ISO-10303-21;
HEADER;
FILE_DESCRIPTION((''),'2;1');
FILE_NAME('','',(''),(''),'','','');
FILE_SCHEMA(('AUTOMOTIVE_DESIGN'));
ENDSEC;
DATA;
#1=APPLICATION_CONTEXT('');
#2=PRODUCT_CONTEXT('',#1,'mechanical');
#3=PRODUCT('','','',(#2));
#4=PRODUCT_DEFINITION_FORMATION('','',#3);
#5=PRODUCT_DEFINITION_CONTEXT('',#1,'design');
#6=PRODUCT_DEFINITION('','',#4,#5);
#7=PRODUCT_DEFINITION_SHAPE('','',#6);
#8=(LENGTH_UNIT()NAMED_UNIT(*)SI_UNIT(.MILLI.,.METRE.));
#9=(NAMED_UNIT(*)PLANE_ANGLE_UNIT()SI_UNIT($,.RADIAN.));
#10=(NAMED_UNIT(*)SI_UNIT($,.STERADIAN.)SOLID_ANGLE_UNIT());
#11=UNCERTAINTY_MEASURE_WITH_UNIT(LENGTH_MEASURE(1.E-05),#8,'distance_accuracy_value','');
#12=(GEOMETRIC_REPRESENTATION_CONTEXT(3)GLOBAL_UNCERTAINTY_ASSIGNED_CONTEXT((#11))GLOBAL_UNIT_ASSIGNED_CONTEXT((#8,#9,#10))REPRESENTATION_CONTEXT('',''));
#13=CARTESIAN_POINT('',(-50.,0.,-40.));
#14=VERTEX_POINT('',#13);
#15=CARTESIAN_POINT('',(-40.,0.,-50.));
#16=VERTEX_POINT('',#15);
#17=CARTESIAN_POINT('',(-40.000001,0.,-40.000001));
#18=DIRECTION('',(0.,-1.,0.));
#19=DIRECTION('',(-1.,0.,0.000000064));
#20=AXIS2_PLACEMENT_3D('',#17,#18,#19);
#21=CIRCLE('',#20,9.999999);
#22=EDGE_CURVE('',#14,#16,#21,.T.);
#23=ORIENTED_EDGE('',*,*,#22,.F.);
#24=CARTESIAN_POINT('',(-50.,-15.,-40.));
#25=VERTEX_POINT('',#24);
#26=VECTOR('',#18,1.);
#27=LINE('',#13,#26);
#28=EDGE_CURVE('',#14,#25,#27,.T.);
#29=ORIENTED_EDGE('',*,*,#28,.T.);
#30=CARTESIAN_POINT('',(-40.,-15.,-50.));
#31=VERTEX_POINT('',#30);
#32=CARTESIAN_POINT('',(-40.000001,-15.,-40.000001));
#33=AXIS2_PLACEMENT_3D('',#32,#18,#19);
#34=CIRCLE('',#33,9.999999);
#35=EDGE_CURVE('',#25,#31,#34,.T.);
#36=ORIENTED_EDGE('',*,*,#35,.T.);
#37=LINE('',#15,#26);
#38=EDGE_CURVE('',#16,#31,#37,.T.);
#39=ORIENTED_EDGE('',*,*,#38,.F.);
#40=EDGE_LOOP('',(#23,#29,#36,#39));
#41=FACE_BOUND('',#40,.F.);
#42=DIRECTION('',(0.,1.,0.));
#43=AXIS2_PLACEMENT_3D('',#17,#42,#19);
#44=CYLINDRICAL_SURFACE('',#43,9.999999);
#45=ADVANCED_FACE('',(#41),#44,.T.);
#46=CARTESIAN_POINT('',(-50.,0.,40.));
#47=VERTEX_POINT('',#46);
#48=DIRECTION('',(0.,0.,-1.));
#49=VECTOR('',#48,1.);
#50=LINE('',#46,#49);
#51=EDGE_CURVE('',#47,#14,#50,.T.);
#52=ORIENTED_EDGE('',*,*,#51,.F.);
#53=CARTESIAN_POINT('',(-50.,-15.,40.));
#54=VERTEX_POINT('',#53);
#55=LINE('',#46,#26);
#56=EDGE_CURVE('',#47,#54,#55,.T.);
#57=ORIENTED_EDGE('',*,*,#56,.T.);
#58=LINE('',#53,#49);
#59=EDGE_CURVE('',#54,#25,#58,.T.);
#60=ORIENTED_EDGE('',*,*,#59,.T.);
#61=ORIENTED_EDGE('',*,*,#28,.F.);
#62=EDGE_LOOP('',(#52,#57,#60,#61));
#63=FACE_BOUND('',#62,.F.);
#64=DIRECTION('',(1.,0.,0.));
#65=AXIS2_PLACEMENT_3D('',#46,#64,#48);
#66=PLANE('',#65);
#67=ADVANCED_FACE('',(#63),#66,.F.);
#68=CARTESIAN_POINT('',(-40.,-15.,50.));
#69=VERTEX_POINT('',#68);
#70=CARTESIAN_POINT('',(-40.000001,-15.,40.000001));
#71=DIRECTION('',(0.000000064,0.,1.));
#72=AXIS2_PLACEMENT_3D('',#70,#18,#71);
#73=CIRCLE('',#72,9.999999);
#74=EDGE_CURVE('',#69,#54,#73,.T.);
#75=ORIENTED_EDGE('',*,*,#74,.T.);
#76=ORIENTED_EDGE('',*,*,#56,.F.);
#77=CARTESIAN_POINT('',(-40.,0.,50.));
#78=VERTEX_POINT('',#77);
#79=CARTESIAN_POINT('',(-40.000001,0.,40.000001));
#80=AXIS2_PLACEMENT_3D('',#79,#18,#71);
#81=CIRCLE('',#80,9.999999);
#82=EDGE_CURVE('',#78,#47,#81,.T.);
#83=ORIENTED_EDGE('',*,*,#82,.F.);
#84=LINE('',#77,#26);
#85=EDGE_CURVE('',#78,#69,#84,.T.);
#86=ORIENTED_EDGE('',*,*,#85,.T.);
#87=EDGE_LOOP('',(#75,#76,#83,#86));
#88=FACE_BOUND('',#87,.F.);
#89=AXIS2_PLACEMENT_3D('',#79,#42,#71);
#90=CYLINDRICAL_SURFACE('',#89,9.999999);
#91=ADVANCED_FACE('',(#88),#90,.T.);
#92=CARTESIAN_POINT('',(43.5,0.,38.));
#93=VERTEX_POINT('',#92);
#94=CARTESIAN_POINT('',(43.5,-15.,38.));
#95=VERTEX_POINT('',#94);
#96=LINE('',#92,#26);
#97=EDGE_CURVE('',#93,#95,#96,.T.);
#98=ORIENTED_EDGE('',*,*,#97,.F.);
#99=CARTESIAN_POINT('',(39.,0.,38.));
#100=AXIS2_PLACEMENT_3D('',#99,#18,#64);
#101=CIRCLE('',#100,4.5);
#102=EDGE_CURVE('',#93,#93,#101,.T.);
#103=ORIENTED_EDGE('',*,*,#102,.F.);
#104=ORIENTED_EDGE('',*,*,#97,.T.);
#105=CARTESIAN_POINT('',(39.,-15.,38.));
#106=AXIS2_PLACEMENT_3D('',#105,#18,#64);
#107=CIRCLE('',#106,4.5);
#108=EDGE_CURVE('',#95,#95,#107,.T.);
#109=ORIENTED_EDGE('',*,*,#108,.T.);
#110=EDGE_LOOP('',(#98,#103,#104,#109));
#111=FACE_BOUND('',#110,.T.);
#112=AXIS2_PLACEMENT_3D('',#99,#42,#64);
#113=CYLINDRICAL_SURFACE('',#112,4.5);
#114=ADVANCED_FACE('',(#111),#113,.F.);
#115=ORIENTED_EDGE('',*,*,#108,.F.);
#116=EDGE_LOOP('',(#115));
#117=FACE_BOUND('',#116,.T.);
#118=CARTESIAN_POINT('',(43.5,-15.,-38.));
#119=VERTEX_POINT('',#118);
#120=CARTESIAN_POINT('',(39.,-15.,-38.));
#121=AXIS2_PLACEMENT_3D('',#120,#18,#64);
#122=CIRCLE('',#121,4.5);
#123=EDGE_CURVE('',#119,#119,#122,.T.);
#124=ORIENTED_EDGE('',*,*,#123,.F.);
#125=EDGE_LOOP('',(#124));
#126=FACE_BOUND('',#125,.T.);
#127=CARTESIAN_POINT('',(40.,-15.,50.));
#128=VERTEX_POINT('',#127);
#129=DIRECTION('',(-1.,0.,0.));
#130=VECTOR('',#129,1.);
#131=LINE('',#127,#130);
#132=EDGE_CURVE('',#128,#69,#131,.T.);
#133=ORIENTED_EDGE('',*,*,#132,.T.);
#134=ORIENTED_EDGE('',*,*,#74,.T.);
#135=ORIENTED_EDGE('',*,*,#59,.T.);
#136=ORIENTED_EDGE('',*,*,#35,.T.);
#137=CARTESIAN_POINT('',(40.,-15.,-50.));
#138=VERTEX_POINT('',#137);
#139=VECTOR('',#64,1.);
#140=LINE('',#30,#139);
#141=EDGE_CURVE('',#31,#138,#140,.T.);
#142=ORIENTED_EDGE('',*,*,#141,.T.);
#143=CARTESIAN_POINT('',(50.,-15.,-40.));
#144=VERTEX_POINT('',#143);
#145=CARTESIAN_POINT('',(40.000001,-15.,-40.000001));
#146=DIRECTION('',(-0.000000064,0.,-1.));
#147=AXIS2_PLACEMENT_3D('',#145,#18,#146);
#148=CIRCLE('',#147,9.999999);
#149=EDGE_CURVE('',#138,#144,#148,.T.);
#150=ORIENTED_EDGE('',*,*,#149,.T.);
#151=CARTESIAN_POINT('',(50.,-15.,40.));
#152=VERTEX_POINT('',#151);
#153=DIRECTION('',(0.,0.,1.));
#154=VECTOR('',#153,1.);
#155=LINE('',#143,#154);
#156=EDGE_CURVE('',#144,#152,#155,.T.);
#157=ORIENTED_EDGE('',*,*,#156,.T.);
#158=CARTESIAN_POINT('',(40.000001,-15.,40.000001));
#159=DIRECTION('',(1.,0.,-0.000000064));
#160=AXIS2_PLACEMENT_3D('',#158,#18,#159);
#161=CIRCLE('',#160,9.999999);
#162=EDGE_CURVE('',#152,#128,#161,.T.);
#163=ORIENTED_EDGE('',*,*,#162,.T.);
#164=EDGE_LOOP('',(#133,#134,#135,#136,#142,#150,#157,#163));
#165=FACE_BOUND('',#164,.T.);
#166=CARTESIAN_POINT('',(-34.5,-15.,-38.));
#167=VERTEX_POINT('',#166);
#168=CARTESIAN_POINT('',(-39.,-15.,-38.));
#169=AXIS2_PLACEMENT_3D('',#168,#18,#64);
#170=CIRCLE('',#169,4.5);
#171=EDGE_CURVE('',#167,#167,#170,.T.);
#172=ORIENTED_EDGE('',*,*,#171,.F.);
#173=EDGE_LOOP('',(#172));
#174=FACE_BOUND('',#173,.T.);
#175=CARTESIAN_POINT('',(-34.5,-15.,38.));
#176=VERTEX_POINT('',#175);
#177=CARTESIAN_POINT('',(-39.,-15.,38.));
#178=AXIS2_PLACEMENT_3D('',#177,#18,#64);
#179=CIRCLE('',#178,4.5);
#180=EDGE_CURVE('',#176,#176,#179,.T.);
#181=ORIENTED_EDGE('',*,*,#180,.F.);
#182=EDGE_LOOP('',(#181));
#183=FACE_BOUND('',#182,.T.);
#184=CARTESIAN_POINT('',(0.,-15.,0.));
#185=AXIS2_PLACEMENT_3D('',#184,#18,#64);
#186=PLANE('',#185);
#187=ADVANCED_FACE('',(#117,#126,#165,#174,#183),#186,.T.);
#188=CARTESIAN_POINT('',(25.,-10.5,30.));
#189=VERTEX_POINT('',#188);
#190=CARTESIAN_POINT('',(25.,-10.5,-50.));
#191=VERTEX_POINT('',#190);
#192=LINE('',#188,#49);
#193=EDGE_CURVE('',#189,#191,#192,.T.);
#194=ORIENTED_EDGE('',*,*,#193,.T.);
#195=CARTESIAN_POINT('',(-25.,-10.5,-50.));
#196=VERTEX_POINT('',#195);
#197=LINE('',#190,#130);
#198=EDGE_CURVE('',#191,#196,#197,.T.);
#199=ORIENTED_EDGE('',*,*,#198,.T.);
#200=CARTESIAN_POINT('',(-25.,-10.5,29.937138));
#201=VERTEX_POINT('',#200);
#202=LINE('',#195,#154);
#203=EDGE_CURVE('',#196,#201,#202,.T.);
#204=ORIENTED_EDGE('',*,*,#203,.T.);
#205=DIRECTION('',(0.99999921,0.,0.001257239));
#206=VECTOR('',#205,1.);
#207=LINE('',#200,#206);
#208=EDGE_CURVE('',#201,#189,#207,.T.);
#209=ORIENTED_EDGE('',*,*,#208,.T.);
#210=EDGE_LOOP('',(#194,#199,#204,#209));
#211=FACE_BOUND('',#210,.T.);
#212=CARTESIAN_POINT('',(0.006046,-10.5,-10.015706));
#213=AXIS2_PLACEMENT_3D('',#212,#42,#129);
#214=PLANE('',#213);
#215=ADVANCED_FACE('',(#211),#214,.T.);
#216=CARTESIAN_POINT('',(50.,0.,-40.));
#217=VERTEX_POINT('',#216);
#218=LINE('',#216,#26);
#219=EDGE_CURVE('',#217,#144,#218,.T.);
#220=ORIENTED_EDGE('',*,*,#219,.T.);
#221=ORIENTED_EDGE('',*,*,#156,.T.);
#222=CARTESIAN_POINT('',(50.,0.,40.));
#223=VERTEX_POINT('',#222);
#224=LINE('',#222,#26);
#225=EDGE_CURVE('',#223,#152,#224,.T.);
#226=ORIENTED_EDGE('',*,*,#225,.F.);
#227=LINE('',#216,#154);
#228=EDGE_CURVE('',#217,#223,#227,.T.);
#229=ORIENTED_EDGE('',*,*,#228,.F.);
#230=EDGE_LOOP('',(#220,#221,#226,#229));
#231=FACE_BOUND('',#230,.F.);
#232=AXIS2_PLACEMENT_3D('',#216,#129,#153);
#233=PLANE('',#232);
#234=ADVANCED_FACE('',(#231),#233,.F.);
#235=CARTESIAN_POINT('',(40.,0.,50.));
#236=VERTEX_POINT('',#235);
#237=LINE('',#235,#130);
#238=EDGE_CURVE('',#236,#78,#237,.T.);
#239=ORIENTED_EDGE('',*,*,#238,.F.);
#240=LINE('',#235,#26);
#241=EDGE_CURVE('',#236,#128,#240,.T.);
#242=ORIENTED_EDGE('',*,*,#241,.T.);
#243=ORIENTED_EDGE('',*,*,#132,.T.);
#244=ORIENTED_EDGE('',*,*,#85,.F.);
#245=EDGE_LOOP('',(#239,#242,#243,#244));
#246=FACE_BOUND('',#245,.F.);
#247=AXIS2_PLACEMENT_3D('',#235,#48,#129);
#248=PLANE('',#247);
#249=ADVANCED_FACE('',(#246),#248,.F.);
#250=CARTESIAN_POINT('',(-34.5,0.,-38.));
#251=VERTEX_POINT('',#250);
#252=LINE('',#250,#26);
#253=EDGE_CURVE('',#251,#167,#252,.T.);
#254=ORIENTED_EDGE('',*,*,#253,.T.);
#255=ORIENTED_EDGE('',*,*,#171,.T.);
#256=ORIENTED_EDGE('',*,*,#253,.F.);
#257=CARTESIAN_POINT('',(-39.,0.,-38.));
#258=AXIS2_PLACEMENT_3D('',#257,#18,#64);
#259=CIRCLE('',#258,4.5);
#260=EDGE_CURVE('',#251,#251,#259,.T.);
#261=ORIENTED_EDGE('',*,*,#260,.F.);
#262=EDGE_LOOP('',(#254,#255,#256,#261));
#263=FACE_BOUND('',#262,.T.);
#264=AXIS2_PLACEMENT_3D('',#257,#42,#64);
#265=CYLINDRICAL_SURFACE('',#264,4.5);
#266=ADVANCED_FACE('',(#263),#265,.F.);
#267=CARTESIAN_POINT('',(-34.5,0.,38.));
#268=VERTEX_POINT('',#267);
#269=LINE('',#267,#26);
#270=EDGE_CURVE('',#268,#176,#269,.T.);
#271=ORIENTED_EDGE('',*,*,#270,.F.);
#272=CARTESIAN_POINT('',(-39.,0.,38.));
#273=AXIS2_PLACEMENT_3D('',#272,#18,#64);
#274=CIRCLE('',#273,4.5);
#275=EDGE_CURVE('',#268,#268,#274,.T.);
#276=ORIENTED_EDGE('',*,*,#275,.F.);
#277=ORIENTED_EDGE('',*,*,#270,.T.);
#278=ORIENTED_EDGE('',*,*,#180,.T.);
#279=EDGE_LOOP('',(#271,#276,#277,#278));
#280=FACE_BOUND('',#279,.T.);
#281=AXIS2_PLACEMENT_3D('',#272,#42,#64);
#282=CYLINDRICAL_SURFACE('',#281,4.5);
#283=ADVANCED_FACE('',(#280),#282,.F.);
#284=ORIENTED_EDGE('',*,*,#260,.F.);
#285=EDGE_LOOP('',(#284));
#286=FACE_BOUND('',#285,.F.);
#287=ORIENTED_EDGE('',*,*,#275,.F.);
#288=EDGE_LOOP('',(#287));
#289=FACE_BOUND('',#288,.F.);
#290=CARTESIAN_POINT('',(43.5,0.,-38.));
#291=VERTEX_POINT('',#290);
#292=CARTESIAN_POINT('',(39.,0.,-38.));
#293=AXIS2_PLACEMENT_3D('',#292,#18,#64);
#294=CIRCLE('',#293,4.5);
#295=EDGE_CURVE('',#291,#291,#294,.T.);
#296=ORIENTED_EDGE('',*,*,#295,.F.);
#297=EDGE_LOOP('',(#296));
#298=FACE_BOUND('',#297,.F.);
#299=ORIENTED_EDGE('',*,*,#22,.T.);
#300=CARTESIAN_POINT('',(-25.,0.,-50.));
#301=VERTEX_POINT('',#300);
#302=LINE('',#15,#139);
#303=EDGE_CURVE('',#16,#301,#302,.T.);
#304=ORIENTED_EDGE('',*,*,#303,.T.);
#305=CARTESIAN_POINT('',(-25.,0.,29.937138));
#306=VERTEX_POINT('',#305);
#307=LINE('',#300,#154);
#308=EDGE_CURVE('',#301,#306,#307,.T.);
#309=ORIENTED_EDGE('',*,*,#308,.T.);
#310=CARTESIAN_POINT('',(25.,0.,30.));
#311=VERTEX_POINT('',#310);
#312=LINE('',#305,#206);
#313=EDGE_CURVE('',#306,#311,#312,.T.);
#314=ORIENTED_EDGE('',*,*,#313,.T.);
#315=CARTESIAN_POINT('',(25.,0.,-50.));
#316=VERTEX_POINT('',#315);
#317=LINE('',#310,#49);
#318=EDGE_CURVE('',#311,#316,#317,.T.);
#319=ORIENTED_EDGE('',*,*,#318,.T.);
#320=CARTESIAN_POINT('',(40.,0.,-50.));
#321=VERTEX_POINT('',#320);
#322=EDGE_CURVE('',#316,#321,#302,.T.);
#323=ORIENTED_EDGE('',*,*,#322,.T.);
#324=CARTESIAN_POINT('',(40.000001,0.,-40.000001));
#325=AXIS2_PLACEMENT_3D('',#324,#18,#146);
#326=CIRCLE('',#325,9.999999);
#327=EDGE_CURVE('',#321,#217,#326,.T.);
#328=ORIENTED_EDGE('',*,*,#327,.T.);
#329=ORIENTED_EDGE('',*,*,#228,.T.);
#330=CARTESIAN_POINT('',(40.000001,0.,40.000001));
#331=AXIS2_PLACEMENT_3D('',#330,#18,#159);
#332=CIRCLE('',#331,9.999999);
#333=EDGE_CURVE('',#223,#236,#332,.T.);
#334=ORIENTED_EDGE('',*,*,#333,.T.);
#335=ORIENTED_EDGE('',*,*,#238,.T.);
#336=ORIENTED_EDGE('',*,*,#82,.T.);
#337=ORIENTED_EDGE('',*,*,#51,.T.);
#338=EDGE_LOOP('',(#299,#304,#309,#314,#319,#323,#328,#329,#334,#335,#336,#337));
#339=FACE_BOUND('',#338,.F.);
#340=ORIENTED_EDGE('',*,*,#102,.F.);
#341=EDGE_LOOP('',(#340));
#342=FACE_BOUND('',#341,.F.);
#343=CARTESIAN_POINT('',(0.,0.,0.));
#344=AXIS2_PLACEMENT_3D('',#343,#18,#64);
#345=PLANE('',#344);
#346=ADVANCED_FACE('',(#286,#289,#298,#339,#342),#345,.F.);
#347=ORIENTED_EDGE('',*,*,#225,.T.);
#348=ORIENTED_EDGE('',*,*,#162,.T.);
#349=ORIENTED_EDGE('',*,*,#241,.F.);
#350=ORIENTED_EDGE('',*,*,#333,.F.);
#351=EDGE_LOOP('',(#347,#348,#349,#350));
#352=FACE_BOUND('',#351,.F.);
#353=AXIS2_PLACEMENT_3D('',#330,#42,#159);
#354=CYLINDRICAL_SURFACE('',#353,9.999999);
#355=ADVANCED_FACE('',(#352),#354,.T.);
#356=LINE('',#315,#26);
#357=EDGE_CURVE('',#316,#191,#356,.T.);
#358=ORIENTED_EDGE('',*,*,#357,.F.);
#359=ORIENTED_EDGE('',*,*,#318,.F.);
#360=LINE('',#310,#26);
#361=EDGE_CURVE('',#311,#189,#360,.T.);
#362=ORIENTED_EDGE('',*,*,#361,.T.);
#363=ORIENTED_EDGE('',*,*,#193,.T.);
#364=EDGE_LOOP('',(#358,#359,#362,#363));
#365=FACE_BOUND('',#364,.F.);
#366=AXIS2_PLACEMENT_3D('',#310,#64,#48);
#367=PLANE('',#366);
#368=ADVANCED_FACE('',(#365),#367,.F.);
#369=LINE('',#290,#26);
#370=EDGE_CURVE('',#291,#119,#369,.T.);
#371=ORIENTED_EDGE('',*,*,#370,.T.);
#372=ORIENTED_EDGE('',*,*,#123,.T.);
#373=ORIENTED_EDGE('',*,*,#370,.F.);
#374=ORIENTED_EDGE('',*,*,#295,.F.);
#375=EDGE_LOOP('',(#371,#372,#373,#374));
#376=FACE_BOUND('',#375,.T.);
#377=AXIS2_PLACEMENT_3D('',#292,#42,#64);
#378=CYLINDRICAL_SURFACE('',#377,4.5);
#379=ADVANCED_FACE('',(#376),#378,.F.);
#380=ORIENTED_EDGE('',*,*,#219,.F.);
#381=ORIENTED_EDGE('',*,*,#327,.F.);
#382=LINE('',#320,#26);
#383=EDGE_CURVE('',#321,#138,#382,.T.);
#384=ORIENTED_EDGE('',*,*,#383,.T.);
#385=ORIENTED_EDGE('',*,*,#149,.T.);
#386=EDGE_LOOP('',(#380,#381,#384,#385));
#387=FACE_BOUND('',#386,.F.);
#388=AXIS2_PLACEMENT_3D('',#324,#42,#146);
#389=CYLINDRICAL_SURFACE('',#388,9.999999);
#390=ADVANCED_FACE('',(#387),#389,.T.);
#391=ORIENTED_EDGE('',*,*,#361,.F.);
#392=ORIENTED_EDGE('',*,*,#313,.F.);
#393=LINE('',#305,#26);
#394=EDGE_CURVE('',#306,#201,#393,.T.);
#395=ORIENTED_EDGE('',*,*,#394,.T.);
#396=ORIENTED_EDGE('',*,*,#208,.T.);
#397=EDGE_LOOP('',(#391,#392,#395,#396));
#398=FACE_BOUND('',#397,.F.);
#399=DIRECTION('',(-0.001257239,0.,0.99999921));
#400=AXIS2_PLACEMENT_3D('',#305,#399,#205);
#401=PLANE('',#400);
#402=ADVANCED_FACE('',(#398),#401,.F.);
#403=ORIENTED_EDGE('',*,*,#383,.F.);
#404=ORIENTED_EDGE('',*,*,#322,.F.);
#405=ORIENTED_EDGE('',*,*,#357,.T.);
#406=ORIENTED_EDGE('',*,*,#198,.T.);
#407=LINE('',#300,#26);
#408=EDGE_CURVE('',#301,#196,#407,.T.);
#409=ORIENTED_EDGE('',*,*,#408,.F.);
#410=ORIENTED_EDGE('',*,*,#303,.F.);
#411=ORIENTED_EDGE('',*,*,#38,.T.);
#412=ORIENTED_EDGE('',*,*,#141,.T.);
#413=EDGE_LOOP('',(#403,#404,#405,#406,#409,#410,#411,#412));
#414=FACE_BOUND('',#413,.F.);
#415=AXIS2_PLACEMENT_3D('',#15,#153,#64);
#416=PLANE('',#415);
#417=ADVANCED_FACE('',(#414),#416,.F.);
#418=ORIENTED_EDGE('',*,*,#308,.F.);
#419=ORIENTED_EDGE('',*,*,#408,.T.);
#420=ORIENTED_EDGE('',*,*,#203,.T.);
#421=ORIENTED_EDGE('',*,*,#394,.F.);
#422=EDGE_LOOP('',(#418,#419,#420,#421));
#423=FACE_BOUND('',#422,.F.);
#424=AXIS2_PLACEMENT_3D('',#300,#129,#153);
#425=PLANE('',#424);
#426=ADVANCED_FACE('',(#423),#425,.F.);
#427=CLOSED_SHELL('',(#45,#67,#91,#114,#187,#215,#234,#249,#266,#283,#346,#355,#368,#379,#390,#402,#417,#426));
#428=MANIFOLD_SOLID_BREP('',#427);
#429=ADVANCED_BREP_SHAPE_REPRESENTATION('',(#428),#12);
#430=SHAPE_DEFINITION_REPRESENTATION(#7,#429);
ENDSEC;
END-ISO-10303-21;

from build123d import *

# Parameters (mm, degrees)
F0_R     = 4.5
F1_DEPTH = 15
F3_DEPTH = 10.5


with BuildPart() as f1:
    # F0 (on Front) → F1 (new body)
    with BuildSketch(Plane.XZ):
        with BuildLine():
            Line((40, 50), (-40, 50))
            ThreePointArc((-40, 50), (-47.071068, 47.071068), (-50, 40))
            Line((-50, 40), (-50, -40))
            ThreePointArc((-50, -40), (-47.071068, -47.071068), (-40, -50))
            Line((-40, -50), (40, -50))
            ThreePointArc((40, -50), (47.071068, -47.071068), (50, -40))
            Line((50, -40), (50, 40))
            ThreePointArc((50, 40), (47.071068, 47.071068), (40, 50))
        make_face()
        with Locations((-39, -38)):
            Circle(F0_R, mode=Mode.SUBTRACT)
        with Locations((39, -38)):
            Circle(F0_R, mode=Mode.SUBTRACT)
        with Locations((-39, 38)):
            Circle(F0_R, mode=Mode.SUBTRACT)
        with Locations((39, 38)):
            Circle(F0_R, mode=Mode.SUBTRACT)
    extrude(amount=F1_DEPTH)

    # F2 (on face) → F3 (cut)
    with BuildSketch(Plane(origin=(0, 0, 0), x_dir=(-1, 0, 0), z_dir=(0, 1, 0))):
        Polygon((-25, 14.751212), (-25, -50), (25, -50), (25, 29.937138), (-25, 30), align=None)
    extrude(amount=-F3_DEPTH, mode=Mode.SUBTRACT)


solid = f1.part
